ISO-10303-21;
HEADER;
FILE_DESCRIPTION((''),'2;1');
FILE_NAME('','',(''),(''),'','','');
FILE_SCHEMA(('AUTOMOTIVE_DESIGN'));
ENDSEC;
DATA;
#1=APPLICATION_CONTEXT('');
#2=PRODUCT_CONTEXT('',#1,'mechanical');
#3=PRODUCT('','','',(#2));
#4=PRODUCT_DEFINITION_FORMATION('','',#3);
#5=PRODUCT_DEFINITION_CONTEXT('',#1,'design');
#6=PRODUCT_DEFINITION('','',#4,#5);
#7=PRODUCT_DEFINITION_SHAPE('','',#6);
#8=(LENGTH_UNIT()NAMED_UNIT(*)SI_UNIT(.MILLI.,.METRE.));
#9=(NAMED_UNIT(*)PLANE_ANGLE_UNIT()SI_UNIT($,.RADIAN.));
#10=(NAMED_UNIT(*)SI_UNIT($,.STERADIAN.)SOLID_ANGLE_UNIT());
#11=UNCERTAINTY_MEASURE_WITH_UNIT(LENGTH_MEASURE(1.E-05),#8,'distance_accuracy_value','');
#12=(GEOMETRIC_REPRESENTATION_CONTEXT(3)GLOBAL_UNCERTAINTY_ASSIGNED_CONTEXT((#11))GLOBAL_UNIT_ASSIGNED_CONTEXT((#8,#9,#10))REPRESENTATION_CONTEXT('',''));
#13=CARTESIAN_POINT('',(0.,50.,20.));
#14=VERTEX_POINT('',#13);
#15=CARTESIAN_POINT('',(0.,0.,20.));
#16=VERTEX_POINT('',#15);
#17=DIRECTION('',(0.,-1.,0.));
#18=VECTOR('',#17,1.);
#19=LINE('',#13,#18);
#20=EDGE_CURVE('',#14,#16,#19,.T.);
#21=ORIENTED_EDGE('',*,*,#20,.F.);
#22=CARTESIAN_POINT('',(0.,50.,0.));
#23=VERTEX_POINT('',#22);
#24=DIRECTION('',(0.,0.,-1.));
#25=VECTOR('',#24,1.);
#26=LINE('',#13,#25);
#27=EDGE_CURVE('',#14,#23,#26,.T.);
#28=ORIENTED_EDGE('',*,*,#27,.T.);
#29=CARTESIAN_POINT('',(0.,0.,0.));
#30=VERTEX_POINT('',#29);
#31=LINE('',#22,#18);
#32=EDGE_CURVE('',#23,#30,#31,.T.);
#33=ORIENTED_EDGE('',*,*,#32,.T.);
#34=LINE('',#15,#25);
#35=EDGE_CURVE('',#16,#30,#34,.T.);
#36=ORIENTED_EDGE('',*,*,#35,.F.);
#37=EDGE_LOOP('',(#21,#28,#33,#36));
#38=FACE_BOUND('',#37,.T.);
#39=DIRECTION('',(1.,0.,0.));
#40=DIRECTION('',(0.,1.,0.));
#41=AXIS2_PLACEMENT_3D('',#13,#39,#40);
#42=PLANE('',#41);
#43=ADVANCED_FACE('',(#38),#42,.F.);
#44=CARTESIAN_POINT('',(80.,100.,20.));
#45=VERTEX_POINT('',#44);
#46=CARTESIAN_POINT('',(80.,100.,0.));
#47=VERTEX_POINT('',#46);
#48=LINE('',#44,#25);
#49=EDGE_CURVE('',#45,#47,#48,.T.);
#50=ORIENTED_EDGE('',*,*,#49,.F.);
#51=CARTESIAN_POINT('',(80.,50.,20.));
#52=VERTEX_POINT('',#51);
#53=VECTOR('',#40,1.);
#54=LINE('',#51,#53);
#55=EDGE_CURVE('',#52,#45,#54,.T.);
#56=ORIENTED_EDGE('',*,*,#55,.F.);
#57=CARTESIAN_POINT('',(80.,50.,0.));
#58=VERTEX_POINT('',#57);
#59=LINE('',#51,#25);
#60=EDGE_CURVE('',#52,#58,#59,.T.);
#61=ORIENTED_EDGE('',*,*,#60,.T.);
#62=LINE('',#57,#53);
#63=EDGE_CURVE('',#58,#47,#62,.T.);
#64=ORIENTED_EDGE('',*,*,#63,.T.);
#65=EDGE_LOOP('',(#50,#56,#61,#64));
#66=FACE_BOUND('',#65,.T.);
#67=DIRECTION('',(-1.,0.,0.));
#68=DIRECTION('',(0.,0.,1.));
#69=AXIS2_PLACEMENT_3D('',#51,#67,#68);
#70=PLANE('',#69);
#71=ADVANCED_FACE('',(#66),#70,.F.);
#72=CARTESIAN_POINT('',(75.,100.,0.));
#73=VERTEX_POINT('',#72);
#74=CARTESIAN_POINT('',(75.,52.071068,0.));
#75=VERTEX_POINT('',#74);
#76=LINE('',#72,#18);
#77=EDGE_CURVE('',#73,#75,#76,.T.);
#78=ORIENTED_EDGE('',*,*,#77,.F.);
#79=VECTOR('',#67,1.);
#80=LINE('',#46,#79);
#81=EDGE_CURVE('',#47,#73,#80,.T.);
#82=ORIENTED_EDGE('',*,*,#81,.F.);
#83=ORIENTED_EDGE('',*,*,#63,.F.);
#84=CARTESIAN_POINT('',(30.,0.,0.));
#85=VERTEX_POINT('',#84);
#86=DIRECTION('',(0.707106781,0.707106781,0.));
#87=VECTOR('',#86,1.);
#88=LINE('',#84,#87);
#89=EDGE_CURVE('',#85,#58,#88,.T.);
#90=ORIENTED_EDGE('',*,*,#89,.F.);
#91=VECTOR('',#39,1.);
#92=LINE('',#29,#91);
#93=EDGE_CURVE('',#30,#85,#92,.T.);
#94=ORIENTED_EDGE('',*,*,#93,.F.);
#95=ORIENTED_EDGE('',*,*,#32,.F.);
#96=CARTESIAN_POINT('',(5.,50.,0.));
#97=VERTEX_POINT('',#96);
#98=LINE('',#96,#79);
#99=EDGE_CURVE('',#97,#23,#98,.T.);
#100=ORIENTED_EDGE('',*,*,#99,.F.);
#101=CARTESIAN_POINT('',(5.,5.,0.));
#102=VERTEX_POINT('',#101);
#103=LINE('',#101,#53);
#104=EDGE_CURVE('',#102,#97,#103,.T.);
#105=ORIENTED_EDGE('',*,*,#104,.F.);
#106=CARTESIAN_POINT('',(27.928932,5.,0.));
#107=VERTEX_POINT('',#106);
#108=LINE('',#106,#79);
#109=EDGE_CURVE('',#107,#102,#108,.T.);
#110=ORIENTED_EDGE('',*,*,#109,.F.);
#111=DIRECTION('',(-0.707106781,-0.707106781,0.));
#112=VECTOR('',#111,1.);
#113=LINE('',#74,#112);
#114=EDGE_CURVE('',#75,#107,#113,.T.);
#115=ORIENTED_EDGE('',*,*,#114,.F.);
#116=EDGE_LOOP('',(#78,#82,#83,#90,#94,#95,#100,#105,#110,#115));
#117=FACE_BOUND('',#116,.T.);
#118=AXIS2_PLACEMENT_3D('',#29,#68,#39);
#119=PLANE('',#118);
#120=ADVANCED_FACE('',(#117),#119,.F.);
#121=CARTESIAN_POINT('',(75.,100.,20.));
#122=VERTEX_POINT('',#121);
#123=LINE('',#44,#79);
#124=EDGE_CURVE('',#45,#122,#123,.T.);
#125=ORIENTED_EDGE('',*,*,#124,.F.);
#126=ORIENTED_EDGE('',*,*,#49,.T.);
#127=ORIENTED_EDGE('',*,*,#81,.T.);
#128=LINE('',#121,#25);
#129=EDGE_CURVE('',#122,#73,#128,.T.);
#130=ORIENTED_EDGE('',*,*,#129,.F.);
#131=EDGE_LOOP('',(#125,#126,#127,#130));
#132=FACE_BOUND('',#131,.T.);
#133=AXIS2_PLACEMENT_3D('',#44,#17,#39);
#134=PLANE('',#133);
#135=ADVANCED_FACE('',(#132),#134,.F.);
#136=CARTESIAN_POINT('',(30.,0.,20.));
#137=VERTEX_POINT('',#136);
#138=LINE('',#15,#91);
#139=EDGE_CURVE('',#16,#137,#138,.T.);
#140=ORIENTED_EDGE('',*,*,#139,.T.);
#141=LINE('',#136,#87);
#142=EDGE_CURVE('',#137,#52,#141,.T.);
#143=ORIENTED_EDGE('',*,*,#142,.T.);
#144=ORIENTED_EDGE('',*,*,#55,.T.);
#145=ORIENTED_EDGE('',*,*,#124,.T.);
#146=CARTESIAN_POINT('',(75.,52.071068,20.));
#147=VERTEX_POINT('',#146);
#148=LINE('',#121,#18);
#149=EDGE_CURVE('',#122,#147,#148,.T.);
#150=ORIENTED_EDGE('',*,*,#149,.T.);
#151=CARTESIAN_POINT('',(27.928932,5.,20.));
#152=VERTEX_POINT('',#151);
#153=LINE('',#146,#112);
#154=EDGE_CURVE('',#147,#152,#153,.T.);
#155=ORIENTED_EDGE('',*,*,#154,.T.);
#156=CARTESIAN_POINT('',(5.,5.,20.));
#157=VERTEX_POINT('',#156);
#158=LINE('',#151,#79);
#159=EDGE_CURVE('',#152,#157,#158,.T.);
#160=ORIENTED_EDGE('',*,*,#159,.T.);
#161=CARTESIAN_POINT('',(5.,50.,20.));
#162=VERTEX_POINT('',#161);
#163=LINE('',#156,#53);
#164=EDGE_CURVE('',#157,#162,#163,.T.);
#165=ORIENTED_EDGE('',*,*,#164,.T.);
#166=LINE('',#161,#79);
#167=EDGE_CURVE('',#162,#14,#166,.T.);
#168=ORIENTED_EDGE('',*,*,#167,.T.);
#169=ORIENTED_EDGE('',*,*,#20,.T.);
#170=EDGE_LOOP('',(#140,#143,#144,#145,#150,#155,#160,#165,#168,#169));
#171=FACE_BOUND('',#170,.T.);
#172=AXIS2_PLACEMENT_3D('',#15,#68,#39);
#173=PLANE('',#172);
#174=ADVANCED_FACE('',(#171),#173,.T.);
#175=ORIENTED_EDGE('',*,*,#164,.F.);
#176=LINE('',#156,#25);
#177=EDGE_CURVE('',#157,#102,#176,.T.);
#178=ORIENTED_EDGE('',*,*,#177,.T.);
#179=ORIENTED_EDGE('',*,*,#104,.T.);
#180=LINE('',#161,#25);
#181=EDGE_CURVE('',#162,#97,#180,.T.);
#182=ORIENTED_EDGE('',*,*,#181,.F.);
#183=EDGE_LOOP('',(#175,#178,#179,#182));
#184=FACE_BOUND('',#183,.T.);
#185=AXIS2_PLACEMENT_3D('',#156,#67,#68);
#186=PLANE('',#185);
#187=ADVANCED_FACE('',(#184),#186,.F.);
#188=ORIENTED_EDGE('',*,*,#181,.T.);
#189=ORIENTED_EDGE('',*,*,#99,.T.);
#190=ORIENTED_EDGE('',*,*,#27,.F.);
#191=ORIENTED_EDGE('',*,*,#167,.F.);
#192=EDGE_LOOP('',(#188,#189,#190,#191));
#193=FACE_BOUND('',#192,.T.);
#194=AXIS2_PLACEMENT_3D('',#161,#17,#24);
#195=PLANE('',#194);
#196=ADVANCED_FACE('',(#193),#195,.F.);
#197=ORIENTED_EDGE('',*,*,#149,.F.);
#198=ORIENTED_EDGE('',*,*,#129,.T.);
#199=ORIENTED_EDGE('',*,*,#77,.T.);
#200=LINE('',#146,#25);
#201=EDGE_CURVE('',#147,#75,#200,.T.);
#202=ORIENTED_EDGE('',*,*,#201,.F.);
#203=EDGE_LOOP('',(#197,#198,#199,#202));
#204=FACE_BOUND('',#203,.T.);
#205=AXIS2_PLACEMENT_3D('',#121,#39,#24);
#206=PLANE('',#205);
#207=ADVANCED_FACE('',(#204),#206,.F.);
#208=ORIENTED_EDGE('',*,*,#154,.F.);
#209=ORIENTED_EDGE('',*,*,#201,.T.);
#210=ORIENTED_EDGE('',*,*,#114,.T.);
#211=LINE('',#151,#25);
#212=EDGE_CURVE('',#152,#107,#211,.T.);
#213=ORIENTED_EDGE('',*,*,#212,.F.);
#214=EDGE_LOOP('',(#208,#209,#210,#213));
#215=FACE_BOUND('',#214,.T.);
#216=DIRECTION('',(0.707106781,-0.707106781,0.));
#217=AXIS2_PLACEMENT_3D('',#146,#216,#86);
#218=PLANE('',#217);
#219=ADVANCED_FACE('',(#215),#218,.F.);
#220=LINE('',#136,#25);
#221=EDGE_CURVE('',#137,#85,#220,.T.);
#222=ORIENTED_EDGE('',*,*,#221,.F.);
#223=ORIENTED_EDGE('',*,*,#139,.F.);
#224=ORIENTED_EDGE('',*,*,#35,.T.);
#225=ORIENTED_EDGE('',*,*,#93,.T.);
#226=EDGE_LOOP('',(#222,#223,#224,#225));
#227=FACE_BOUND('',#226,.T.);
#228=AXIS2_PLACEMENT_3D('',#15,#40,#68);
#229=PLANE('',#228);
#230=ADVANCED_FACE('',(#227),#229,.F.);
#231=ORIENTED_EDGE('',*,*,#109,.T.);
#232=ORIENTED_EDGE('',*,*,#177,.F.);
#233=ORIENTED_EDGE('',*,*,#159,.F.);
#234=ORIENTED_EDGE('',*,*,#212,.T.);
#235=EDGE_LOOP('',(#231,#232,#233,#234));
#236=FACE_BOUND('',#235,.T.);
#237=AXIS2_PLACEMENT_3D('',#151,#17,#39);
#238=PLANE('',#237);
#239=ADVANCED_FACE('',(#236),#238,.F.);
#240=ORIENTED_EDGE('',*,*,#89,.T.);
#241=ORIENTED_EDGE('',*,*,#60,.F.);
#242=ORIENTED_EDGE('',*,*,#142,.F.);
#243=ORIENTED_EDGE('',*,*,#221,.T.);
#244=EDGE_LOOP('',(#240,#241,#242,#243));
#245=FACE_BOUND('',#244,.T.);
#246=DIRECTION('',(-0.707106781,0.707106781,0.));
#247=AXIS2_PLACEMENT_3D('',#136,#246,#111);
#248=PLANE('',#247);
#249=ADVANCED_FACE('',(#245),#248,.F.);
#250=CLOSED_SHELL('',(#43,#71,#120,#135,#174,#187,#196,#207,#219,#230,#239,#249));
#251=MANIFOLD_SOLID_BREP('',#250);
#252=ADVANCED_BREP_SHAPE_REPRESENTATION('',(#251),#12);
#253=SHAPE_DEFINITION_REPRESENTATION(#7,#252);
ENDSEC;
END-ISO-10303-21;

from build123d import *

# Parameters (mm, degrees)
EXTRUDE_1_DEPTH = 20


with BuildPart() as part:
    # Эскиз1 → Бобышка-Вытянуть1 (new body)
    with BuildSketch(Plane.XY):
        Polygon((30, 0), (80, 50), (80, 100), (75, 100), (75, 52.071067812), (27.928932188, 5), (5, 5), (5, 50), (0, 50), (0, 0), align=None)
    extrude(amount=EXTRUDE_1_DEPTH)


solid = part.part
